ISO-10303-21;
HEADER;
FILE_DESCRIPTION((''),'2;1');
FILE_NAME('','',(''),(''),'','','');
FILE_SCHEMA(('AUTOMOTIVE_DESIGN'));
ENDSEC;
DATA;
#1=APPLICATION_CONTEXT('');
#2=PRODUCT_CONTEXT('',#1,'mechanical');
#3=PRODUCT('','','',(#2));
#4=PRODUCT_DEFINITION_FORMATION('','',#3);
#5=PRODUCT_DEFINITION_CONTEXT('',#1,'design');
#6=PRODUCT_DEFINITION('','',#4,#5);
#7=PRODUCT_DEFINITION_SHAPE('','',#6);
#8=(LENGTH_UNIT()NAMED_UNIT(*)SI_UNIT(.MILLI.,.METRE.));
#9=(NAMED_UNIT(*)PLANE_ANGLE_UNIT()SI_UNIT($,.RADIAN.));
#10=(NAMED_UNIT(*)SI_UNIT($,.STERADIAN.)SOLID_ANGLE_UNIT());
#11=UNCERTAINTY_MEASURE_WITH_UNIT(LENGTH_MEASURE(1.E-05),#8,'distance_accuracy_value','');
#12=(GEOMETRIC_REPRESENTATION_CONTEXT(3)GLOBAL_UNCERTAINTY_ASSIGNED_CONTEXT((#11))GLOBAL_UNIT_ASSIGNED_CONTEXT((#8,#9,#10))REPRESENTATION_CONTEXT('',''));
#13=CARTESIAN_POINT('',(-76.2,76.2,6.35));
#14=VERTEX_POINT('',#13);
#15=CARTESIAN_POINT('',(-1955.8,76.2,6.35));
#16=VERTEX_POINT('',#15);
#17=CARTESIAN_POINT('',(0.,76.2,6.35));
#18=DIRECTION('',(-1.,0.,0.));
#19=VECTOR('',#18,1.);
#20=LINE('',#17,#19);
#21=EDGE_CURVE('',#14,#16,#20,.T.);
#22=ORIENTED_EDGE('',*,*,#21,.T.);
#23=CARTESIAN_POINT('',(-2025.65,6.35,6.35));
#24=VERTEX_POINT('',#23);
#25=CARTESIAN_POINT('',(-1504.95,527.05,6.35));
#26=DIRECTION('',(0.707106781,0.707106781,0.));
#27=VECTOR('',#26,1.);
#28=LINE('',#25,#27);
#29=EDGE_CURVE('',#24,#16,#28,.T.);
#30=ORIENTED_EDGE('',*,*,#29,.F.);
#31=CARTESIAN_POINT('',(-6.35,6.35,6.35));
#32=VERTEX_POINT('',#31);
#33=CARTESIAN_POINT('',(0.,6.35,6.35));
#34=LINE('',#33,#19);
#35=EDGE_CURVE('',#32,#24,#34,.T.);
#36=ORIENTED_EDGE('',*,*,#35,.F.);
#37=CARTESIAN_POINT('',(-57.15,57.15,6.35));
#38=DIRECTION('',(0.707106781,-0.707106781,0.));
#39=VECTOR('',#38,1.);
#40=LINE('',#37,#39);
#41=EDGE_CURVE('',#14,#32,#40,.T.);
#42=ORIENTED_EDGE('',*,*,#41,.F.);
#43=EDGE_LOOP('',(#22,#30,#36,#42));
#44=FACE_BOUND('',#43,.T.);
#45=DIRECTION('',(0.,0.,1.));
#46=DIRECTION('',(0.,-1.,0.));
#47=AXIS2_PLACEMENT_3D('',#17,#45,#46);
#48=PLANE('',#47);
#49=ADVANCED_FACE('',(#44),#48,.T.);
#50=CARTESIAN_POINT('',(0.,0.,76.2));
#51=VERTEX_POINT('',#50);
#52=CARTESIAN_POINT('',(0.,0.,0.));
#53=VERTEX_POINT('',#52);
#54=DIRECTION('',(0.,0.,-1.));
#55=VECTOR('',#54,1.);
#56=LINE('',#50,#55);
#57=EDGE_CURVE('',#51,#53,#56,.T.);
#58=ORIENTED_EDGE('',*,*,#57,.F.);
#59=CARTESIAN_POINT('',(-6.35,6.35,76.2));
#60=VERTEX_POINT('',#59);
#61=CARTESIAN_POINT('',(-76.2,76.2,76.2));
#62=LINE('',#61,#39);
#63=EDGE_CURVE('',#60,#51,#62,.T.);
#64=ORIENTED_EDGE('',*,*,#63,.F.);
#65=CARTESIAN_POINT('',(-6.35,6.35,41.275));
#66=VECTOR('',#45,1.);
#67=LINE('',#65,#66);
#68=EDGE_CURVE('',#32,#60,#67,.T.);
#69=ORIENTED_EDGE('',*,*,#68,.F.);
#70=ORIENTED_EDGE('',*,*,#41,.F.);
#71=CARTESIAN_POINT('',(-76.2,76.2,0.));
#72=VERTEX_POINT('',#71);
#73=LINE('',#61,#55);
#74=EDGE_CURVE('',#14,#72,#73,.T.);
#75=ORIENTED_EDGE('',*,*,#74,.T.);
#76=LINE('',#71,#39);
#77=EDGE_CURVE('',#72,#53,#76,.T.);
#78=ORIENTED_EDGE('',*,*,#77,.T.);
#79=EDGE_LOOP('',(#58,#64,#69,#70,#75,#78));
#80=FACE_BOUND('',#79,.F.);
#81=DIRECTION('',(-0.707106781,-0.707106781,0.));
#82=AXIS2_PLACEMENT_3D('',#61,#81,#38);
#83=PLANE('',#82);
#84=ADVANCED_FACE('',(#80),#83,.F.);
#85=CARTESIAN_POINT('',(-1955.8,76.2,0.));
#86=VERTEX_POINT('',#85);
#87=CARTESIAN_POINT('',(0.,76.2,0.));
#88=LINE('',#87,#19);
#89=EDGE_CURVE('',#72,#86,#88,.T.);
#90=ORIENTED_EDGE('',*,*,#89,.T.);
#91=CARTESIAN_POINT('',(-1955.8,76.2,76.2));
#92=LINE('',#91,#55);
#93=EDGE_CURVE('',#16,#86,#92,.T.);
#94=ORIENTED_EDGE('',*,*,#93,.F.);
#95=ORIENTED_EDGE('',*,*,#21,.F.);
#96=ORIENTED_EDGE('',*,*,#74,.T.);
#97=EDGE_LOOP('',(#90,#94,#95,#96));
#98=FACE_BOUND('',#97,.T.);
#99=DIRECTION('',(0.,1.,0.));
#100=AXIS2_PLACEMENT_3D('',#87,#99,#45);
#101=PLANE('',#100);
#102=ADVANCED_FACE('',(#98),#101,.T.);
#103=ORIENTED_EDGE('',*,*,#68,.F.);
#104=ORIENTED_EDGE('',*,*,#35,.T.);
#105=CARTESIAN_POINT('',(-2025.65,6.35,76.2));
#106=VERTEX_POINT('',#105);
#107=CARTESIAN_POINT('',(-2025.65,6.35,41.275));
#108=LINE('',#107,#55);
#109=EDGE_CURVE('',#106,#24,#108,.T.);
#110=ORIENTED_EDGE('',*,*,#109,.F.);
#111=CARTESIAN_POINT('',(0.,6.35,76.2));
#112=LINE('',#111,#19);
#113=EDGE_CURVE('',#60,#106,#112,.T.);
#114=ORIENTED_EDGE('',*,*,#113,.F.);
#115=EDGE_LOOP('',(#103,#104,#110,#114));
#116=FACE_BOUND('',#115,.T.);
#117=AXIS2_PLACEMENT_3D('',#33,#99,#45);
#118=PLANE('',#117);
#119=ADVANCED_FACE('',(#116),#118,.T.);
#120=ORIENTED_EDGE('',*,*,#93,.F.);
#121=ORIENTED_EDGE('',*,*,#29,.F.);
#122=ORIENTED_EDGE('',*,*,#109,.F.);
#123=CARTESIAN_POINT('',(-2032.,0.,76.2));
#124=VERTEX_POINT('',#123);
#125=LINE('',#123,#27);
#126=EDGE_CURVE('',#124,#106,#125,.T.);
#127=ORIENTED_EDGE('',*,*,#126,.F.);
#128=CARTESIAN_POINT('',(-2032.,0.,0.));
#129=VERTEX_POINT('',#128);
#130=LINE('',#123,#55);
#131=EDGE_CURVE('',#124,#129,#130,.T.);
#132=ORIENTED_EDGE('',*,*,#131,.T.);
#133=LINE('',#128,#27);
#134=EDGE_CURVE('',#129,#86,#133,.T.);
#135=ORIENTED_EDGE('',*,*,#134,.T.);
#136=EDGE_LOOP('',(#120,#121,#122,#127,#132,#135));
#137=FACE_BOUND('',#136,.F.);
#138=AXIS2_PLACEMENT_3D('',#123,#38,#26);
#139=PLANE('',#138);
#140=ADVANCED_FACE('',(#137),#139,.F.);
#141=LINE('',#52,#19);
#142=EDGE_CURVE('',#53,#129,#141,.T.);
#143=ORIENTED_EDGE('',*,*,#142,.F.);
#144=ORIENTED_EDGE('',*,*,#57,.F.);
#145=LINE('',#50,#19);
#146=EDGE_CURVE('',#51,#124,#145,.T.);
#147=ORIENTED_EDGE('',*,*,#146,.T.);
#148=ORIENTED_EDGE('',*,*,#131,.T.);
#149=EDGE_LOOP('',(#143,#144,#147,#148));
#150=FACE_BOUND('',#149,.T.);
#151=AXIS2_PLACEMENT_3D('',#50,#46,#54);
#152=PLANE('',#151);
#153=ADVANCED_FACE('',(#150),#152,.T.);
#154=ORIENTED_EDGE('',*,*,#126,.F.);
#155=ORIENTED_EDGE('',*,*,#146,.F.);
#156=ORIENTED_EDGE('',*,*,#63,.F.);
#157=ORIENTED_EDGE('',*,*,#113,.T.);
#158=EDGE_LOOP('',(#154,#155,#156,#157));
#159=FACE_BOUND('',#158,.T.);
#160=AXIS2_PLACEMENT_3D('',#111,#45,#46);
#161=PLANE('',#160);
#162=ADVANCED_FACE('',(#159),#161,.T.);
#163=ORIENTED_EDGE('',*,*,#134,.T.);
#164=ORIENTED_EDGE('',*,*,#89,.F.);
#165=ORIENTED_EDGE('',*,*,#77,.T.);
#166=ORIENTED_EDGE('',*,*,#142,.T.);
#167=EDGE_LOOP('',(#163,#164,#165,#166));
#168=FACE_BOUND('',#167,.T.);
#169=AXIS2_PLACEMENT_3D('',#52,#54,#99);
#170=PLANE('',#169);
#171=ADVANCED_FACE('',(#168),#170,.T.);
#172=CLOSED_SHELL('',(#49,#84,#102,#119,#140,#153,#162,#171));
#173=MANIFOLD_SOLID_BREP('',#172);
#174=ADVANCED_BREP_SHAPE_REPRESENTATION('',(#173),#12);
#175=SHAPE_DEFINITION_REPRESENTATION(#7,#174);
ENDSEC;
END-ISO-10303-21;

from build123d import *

# Parameters (mm, degrees)
F1_DEPTH = 2032
F3_DEPTH = 76.2


with BuildPart() as f1:
    # F0 (on Right) → F1 (new body)
    with BuildSketch(Plane.YZ):
        Polygon((6.35, 76.2), (0, 76.2), (0, 0), (76.2, 0), (76.2, 6.35), (6.35, 6.35), align=None)
    extrude(amount=-F1_DEPTH)

    # F2 (on face) → F3 (cut)
    with BuildSketch(Plane.XY.offset(76.2)):
        Polygon((0, 0), (0, 76.2), (-76.2, 76.2), align=None)
        Polygon((-2032, 76.2), (-2032, 0), (-1955.8, 76.2), align=None)
    extrude(amount=-F3_DEPTH, mode=Mode.SUBTRACT)


solid = f1.part
